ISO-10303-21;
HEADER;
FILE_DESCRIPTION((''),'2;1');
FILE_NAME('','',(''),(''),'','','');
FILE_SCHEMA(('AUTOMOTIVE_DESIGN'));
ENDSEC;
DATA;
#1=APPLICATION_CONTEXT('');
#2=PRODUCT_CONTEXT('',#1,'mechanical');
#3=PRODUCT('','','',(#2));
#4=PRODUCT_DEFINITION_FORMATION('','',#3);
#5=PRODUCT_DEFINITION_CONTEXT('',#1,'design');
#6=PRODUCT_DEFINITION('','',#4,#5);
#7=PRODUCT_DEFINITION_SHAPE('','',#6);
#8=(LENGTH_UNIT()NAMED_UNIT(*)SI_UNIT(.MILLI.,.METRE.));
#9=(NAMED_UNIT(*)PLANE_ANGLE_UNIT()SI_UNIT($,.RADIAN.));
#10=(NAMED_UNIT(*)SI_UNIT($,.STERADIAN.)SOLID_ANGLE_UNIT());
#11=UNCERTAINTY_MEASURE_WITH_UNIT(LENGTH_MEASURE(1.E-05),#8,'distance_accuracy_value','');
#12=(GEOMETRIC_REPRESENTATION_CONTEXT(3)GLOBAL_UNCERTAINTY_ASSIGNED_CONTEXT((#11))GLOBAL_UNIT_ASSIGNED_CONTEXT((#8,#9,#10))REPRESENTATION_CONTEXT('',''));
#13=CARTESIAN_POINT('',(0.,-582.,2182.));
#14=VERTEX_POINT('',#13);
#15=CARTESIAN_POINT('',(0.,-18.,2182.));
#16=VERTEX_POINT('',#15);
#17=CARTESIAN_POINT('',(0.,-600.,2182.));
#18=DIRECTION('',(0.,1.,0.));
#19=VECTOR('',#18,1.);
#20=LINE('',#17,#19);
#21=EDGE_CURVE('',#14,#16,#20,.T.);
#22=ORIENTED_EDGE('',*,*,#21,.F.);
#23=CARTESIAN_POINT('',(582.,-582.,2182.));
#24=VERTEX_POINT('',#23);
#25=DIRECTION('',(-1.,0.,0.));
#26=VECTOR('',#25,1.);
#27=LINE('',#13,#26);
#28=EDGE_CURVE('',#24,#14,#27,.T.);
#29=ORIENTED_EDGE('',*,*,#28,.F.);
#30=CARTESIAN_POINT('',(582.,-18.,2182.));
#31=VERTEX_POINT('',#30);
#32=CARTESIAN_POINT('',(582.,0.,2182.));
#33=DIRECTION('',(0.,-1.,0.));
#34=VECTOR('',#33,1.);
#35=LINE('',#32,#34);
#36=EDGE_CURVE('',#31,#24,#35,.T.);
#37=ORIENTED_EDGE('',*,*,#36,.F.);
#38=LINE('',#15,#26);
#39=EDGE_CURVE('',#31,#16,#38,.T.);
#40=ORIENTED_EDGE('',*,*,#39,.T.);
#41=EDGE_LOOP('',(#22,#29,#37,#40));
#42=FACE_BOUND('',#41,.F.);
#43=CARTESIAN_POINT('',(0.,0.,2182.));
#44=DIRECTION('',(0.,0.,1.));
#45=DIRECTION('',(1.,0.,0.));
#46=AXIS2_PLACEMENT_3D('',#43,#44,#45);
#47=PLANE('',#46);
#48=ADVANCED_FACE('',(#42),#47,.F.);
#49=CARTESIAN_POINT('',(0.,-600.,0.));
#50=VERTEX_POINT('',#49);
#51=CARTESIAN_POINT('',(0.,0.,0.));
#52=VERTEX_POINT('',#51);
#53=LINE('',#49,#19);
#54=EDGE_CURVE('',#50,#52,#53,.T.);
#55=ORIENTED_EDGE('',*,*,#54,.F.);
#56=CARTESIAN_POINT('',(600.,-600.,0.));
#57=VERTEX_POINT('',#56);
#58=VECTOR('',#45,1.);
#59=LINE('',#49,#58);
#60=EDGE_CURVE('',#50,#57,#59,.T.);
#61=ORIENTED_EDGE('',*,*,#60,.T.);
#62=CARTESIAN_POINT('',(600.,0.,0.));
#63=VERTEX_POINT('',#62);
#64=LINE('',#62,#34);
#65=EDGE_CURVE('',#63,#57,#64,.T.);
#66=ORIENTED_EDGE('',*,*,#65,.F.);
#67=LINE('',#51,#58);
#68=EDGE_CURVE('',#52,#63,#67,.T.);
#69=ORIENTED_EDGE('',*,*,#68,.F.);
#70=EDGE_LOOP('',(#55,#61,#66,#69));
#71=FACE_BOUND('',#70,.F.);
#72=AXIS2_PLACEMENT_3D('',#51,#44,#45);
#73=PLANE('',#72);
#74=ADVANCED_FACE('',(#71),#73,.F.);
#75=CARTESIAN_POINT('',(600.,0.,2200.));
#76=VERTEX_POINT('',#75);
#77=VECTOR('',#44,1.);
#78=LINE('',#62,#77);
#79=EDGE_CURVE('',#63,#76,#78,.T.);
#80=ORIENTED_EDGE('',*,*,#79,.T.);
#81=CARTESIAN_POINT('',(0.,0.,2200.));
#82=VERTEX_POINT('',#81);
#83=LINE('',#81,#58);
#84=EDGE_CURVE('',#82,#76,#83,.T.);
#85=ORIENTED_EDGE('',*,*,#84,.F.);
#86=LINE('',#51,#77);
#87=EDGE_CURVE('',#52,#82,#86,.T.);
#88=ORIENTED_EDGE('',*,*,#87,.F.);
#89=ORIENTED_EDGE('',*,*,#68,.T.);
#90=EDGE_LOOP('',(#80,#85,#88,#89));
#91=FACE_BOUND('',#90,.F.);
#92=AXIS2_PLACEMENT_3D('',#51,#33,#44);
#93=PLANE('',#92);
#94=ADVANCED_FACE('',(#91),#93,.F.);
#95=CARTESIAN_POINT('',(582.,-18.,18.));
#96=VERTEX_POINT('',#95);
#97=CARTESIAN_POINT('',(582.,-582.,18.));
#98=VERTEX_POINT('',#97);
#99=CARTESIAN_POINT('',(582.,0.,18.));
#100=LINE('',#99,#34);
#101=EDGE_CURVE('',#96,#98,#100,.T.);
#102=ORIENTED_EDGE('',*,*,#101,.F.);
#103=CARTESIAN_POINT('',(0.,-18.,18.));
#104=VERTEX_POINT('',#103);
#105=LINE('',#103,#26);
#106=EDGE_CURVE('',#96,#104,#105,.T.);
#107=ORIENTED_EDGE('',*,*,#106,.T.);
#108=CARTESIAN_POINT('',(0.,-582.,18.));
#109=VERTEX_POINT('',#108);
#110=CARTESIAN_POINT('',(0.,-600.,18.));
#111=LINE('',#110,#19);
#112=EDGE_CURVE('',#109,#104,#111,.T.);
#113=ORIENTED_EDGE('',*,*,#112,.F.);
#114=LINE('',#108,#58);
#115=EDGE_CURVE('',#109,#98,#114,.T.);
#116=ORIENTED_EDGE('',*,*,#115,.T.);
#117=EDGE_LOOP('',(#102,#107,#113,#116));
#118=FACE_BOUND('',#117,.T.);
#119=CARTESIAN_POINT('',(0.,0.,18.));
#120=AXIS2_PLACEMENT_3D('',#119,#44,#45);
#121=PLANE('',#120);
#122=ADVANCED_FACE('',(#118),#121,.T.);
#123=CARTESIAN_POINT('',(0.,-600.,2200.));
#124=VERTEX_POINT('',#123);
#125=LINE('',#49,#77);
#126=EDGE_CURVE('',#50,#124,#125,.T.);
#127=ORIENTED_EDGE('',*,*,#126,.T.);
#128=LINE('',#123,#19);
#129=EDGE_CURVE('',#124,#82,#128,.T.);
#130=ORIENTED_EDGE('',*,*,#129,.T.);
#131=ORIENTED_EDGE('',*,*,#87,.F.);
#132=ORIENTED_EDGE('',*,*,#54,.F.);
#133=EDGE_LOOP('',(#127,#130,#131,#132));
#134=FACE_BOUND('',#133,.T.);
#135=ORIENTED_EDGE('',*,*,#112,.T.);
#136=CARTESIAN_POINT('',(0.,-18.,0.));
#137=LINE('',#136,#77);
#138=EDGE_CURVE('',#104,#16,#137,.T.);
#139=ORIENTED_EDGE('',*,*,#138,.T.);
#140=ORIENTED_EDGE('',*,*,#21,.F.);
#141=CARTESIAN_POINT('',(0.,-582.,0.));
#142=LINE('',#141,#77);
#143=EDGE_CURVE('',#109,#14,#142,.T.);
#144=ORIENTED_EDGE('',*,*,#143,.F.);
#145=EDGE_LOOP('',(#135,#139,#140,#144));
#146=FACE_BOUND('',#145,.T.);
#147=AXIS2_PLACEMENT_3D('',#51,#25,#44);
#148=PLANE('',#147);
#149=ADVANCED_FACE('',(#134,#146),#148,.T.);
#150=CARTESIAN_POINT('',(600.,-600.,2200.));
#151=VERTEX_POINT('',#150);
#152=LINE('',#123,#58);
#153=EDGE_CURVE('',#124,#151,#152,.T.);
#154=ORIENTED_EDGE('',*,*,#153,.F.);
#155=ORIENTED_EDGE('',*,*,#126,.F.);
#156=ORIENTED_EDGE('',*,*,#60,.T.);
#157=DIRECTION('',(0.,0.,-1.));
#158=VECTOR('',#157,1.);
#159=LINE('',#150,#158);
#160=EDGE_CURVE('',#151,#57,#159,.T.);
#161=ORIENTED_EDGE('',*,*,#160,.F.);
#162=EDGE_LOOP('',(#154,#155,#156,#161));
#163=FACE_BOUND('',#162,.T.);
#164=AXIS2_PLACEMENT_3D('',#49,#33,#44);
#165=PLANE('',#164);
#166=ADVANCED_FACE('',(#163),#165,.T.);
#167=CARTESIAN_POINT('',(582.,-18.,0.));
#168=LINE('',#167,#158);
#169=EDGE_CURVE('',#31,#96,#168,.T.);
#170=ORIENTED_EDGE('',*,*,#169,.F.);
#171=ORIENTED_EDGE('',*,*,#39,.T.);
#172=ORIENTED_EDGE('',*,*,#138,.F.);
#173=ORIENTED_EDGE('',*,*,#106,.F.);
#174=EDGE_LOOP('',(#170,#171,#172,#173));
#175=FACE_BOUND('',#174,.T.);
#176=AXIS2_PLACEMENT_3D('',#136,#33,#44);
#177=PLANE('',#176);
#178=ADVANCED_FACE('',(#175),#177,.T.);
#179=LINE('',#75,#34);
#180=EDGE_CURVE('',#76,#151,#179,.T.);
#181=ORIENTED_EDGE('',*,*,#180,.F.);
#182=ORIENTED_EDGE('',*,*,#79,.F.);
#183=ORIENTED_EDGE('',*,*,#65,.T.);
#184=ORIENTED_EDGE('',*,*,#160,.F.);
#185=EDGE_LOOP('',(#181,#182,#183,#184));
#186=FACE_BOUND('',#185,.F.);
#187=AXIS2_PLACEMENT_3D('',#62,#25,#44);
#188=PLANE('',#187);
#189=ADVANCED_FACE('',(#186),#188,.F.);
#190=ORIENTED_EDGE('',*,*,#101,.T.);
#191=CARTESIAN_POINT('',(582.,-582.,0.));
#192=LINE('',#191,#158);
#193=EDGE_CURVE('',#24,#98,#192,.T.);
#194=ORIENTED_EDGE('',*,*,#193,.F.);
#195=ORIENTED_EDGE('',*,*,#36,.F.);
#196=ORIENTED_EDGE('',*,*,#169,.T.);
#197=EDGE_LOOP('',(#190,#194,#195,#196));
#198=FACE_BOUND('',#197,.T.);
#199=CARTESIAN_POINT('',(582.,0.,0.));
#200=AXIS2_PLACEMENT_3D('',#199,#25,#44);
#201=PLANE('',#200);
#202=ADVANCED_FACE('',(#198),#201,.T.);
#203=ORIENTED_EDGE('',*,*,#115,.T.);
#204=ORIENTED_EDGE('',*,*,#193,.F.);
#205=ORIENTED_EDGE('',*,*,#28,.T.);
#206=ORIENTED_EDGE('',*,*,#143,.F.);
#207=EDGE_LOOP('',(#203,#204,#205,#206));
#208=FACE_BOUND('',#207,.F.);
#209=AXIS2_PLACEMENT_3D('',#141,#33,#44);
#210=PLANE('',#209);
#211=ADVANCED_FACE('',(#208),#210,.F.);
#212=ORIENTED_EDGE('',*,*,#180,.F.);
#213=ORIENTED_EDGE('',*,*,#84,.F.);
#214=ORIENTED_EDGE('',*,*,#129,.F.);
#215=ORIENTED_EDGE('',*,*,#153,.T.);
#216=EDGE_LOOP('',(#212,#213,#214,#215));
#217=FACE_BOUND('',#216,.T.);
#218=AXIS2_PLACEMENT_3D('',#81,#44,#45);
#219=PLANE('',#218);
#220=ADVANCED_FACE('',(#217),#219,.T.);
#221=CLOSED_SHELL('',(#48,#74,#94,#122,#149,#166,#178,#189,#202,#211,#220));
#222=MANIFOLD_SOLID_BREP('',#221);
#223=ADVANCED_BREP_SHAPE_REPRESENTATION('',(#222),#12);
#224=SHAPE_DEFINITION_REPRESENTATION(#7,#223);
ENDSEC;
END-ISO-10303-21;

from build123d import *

# Parameters (mm, degrees)
F0_W     = 40.8606864512
F0_H     = 43.7535122037
F1_DEPTH = 600
F2_DEPTH = 600
F3_DEPTH = 2200
F4_T     = -18


with BuildPart() as f1:
    # F0 (on Right) → F1 (new body)
    with BuildSketch(Plane.YZ):
        with Locations((-20.4303432256, 21.8767561018)):
            Rectangle(F0_W, F0_H)
    extrude(amount=F1_DEPTH)

    # F2 (add): a face of the model
    f2_faces = [f1.faces().sort_by_distance(p)[0] for p in [
        (300, 0, 21.8767561018),
    ]]
    extrude(f2_faces, amount=-F2_DEPTH)

    # F3 (add): a face of the model
    f3_faces = [f1.faces().sort_by_distance(p)[0] for p in [
        (300, -300, 0),
    ]]
    extrude(f3_faces, amount=-F3_DEPTH)

    # F4
    f4_openings = [f1.faces().sort_by_distance(p)[0] for p in [
        (0, -300, 1100),
    ]]
    offset(amount=F4_T, openings=f4_openings)


solid = f1.part
